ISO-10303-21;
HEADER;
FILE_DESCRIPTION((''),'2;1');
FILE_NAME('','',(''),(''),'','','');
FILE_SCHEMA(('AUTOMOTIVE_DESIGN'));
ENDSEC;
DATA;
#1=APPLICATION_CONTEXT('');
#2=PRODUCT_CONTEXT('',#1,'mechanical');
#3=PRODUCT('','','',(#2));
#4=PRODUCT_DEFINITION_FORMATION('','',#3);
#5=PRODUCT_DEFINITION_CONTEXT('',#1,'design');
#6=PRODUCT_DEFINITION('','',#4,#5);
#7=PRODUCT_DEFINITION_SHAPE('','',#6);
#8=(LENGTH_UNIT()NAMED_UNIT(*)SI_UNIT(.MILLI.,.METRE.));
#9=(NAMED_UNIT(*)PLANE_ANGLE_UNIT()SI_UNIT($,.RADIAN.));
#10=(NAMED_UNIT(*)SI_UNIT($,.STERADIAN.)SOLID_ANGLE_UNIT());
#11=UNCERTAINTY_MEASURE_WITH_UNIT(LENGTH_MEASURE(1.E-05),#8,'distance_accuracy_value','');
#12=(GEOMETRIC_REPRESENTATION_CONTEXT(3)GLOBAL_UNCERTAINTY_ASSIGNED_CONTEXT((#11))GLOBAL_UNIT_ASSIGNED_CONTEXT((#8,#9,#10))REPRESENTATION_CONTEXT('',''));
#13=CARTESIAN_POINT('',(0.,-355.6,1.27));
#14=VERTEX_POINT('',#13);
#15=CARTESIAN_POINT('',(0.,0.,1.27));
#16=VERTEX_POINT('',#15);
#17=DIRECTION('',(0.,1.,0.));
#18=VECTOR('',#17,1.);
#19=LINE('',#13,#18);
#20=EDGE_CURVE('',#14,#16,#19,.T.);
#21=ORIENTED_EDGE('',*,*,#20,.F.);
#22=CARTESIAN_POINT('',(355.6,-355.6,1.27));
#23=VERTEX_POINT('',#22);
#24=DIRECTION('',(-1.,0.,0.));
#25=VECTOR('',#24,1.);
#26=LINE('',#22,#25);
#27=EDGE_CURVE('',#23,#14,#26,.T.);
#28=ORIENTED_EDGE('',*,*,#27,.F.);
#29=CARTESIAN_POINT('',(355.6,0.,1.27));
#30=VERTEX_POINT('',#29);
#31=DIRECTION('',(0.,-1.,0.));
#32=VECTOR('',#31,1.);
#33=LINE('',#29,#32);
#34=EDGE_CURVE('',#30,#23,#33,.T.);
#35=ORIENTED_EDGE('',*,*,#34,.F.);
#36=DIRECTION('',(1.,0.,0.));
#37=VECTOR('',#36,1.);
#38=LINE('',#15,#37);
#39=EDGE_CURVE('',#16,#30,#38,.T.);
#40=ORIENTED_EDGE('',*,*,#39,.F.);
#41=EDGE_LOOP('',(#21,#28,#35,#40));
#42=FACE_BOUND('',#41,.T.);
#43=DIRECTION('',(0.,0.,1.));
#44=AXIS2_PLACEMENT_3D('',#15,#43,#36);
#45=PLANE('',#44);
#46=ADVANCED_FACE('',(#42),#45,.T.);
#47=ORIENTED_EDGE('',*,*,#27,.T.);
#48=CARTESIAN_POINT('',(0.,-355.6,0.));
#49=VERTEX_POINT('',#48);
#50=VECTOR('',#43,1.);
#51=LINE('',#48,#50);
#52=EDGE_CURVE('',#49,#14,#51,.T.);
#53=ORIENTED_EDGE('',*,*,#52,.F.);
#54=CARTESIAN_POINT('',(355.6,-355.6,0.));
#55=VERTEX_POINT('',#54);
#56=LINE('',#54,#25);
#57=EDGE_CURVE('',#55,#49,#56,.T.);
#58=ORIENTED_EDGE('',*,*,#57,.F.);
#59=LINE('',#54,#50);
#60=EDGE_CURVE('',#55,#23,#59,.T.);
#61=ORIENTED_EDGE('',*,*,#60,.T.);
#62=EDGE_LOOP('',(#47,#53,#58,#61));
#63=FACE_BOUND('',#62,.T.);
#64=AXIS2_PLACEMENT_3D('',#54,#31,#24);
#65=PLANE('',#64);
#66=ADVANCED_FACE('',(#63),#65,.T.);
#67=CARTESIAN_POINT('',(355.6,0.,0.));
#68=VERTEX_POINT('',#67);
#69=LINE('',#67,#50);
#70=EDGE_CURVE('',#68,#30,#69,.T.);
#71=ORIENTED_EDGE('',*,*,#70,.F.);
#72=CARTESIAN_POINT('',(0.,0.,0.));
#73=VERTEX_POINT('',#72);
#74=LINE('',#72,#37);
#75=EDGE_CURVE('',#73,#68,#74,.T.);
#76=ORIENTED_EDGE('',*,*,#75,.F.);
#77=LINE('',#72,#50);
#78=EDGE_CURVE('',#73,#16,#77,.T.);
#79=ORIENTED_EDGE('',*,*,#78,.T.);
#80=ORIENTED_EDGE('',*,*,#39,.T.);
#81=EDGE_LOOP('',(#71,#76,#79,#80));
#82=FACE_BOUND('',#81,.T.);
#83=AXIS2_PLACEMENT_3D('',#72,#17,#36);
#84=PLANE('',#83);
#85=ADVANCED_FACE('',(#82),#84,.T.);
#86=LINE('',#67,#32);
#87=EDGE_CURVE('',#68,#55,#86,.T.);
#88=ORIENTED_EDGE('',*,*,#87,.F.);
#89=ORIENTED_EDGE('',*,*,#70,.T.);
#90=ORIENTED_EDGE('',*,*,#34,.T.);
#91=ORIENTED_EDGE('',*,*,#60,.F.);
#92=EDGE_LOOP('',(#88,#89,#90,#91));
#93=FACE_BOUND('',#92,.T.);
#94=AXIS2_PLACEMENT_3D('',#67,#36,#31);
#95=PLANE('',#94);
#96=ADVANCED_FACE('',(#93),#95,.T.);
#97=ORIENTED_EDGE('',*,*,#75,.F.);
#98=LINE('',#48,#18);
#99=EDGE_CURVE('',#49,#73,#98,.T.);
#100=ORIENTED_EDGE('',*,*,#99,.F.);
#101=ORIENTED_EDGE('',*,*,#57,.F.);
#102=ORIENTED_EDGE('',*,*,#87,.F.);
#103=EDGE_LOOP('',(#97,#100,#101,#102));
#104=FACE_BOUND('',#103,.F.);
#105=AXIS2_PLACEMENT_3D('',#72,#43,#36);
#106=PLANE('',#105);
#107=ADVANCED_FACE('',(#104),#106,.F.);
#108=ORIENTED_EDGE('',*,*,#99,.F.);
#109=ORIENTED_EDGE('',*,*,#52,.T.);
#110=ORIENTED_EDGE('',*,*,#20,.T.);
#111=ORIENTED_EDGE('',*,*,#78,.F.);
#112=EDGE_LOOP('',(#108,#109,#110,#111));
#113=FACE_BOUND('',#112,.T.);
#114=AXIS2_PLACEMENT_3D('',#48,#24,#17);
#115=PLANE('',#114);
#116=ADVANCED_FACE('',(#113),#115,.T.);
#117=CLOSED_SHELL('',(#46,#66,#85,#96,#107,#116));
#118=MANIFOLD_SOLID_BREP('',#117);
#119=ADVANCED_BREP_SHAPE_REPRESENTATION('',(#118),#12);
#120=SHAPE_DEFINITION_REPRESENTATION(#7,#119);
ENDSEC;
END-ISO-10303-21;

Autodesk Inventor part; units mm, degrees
ref_plane "YZ Plane" through (0, 0, 0) normal (1, 0, 0) x (0, 1, 0)
ref_plane "XZ Plane" through (0, 0, 0) normal (0, 1, 0) x (-1, 0, 0)
ref_plane "XY Plane" through (0, 0, 0) normal (0, 0, 1) x (1, 0, 0)
sketch "Sketch1" plane through (0, 0, 0) normal (0, 0, 1) x (1, 0, 0)
  line L0 (0, 0) -> (355.6, 0)
  line L1 (355.6, 0) -> (355.6, -355.6)
  line L2 (355.6, -355.6) -> (0, -355.6)
  line L3 (0, -355.6) -> (0, 0)
  dimension "d0" = 355.6
  dimension "d1" = 355.6
extrude "Extrusion1" add sketch "Sketch1" along normal blind 1.27
properties part number "Mesh"
